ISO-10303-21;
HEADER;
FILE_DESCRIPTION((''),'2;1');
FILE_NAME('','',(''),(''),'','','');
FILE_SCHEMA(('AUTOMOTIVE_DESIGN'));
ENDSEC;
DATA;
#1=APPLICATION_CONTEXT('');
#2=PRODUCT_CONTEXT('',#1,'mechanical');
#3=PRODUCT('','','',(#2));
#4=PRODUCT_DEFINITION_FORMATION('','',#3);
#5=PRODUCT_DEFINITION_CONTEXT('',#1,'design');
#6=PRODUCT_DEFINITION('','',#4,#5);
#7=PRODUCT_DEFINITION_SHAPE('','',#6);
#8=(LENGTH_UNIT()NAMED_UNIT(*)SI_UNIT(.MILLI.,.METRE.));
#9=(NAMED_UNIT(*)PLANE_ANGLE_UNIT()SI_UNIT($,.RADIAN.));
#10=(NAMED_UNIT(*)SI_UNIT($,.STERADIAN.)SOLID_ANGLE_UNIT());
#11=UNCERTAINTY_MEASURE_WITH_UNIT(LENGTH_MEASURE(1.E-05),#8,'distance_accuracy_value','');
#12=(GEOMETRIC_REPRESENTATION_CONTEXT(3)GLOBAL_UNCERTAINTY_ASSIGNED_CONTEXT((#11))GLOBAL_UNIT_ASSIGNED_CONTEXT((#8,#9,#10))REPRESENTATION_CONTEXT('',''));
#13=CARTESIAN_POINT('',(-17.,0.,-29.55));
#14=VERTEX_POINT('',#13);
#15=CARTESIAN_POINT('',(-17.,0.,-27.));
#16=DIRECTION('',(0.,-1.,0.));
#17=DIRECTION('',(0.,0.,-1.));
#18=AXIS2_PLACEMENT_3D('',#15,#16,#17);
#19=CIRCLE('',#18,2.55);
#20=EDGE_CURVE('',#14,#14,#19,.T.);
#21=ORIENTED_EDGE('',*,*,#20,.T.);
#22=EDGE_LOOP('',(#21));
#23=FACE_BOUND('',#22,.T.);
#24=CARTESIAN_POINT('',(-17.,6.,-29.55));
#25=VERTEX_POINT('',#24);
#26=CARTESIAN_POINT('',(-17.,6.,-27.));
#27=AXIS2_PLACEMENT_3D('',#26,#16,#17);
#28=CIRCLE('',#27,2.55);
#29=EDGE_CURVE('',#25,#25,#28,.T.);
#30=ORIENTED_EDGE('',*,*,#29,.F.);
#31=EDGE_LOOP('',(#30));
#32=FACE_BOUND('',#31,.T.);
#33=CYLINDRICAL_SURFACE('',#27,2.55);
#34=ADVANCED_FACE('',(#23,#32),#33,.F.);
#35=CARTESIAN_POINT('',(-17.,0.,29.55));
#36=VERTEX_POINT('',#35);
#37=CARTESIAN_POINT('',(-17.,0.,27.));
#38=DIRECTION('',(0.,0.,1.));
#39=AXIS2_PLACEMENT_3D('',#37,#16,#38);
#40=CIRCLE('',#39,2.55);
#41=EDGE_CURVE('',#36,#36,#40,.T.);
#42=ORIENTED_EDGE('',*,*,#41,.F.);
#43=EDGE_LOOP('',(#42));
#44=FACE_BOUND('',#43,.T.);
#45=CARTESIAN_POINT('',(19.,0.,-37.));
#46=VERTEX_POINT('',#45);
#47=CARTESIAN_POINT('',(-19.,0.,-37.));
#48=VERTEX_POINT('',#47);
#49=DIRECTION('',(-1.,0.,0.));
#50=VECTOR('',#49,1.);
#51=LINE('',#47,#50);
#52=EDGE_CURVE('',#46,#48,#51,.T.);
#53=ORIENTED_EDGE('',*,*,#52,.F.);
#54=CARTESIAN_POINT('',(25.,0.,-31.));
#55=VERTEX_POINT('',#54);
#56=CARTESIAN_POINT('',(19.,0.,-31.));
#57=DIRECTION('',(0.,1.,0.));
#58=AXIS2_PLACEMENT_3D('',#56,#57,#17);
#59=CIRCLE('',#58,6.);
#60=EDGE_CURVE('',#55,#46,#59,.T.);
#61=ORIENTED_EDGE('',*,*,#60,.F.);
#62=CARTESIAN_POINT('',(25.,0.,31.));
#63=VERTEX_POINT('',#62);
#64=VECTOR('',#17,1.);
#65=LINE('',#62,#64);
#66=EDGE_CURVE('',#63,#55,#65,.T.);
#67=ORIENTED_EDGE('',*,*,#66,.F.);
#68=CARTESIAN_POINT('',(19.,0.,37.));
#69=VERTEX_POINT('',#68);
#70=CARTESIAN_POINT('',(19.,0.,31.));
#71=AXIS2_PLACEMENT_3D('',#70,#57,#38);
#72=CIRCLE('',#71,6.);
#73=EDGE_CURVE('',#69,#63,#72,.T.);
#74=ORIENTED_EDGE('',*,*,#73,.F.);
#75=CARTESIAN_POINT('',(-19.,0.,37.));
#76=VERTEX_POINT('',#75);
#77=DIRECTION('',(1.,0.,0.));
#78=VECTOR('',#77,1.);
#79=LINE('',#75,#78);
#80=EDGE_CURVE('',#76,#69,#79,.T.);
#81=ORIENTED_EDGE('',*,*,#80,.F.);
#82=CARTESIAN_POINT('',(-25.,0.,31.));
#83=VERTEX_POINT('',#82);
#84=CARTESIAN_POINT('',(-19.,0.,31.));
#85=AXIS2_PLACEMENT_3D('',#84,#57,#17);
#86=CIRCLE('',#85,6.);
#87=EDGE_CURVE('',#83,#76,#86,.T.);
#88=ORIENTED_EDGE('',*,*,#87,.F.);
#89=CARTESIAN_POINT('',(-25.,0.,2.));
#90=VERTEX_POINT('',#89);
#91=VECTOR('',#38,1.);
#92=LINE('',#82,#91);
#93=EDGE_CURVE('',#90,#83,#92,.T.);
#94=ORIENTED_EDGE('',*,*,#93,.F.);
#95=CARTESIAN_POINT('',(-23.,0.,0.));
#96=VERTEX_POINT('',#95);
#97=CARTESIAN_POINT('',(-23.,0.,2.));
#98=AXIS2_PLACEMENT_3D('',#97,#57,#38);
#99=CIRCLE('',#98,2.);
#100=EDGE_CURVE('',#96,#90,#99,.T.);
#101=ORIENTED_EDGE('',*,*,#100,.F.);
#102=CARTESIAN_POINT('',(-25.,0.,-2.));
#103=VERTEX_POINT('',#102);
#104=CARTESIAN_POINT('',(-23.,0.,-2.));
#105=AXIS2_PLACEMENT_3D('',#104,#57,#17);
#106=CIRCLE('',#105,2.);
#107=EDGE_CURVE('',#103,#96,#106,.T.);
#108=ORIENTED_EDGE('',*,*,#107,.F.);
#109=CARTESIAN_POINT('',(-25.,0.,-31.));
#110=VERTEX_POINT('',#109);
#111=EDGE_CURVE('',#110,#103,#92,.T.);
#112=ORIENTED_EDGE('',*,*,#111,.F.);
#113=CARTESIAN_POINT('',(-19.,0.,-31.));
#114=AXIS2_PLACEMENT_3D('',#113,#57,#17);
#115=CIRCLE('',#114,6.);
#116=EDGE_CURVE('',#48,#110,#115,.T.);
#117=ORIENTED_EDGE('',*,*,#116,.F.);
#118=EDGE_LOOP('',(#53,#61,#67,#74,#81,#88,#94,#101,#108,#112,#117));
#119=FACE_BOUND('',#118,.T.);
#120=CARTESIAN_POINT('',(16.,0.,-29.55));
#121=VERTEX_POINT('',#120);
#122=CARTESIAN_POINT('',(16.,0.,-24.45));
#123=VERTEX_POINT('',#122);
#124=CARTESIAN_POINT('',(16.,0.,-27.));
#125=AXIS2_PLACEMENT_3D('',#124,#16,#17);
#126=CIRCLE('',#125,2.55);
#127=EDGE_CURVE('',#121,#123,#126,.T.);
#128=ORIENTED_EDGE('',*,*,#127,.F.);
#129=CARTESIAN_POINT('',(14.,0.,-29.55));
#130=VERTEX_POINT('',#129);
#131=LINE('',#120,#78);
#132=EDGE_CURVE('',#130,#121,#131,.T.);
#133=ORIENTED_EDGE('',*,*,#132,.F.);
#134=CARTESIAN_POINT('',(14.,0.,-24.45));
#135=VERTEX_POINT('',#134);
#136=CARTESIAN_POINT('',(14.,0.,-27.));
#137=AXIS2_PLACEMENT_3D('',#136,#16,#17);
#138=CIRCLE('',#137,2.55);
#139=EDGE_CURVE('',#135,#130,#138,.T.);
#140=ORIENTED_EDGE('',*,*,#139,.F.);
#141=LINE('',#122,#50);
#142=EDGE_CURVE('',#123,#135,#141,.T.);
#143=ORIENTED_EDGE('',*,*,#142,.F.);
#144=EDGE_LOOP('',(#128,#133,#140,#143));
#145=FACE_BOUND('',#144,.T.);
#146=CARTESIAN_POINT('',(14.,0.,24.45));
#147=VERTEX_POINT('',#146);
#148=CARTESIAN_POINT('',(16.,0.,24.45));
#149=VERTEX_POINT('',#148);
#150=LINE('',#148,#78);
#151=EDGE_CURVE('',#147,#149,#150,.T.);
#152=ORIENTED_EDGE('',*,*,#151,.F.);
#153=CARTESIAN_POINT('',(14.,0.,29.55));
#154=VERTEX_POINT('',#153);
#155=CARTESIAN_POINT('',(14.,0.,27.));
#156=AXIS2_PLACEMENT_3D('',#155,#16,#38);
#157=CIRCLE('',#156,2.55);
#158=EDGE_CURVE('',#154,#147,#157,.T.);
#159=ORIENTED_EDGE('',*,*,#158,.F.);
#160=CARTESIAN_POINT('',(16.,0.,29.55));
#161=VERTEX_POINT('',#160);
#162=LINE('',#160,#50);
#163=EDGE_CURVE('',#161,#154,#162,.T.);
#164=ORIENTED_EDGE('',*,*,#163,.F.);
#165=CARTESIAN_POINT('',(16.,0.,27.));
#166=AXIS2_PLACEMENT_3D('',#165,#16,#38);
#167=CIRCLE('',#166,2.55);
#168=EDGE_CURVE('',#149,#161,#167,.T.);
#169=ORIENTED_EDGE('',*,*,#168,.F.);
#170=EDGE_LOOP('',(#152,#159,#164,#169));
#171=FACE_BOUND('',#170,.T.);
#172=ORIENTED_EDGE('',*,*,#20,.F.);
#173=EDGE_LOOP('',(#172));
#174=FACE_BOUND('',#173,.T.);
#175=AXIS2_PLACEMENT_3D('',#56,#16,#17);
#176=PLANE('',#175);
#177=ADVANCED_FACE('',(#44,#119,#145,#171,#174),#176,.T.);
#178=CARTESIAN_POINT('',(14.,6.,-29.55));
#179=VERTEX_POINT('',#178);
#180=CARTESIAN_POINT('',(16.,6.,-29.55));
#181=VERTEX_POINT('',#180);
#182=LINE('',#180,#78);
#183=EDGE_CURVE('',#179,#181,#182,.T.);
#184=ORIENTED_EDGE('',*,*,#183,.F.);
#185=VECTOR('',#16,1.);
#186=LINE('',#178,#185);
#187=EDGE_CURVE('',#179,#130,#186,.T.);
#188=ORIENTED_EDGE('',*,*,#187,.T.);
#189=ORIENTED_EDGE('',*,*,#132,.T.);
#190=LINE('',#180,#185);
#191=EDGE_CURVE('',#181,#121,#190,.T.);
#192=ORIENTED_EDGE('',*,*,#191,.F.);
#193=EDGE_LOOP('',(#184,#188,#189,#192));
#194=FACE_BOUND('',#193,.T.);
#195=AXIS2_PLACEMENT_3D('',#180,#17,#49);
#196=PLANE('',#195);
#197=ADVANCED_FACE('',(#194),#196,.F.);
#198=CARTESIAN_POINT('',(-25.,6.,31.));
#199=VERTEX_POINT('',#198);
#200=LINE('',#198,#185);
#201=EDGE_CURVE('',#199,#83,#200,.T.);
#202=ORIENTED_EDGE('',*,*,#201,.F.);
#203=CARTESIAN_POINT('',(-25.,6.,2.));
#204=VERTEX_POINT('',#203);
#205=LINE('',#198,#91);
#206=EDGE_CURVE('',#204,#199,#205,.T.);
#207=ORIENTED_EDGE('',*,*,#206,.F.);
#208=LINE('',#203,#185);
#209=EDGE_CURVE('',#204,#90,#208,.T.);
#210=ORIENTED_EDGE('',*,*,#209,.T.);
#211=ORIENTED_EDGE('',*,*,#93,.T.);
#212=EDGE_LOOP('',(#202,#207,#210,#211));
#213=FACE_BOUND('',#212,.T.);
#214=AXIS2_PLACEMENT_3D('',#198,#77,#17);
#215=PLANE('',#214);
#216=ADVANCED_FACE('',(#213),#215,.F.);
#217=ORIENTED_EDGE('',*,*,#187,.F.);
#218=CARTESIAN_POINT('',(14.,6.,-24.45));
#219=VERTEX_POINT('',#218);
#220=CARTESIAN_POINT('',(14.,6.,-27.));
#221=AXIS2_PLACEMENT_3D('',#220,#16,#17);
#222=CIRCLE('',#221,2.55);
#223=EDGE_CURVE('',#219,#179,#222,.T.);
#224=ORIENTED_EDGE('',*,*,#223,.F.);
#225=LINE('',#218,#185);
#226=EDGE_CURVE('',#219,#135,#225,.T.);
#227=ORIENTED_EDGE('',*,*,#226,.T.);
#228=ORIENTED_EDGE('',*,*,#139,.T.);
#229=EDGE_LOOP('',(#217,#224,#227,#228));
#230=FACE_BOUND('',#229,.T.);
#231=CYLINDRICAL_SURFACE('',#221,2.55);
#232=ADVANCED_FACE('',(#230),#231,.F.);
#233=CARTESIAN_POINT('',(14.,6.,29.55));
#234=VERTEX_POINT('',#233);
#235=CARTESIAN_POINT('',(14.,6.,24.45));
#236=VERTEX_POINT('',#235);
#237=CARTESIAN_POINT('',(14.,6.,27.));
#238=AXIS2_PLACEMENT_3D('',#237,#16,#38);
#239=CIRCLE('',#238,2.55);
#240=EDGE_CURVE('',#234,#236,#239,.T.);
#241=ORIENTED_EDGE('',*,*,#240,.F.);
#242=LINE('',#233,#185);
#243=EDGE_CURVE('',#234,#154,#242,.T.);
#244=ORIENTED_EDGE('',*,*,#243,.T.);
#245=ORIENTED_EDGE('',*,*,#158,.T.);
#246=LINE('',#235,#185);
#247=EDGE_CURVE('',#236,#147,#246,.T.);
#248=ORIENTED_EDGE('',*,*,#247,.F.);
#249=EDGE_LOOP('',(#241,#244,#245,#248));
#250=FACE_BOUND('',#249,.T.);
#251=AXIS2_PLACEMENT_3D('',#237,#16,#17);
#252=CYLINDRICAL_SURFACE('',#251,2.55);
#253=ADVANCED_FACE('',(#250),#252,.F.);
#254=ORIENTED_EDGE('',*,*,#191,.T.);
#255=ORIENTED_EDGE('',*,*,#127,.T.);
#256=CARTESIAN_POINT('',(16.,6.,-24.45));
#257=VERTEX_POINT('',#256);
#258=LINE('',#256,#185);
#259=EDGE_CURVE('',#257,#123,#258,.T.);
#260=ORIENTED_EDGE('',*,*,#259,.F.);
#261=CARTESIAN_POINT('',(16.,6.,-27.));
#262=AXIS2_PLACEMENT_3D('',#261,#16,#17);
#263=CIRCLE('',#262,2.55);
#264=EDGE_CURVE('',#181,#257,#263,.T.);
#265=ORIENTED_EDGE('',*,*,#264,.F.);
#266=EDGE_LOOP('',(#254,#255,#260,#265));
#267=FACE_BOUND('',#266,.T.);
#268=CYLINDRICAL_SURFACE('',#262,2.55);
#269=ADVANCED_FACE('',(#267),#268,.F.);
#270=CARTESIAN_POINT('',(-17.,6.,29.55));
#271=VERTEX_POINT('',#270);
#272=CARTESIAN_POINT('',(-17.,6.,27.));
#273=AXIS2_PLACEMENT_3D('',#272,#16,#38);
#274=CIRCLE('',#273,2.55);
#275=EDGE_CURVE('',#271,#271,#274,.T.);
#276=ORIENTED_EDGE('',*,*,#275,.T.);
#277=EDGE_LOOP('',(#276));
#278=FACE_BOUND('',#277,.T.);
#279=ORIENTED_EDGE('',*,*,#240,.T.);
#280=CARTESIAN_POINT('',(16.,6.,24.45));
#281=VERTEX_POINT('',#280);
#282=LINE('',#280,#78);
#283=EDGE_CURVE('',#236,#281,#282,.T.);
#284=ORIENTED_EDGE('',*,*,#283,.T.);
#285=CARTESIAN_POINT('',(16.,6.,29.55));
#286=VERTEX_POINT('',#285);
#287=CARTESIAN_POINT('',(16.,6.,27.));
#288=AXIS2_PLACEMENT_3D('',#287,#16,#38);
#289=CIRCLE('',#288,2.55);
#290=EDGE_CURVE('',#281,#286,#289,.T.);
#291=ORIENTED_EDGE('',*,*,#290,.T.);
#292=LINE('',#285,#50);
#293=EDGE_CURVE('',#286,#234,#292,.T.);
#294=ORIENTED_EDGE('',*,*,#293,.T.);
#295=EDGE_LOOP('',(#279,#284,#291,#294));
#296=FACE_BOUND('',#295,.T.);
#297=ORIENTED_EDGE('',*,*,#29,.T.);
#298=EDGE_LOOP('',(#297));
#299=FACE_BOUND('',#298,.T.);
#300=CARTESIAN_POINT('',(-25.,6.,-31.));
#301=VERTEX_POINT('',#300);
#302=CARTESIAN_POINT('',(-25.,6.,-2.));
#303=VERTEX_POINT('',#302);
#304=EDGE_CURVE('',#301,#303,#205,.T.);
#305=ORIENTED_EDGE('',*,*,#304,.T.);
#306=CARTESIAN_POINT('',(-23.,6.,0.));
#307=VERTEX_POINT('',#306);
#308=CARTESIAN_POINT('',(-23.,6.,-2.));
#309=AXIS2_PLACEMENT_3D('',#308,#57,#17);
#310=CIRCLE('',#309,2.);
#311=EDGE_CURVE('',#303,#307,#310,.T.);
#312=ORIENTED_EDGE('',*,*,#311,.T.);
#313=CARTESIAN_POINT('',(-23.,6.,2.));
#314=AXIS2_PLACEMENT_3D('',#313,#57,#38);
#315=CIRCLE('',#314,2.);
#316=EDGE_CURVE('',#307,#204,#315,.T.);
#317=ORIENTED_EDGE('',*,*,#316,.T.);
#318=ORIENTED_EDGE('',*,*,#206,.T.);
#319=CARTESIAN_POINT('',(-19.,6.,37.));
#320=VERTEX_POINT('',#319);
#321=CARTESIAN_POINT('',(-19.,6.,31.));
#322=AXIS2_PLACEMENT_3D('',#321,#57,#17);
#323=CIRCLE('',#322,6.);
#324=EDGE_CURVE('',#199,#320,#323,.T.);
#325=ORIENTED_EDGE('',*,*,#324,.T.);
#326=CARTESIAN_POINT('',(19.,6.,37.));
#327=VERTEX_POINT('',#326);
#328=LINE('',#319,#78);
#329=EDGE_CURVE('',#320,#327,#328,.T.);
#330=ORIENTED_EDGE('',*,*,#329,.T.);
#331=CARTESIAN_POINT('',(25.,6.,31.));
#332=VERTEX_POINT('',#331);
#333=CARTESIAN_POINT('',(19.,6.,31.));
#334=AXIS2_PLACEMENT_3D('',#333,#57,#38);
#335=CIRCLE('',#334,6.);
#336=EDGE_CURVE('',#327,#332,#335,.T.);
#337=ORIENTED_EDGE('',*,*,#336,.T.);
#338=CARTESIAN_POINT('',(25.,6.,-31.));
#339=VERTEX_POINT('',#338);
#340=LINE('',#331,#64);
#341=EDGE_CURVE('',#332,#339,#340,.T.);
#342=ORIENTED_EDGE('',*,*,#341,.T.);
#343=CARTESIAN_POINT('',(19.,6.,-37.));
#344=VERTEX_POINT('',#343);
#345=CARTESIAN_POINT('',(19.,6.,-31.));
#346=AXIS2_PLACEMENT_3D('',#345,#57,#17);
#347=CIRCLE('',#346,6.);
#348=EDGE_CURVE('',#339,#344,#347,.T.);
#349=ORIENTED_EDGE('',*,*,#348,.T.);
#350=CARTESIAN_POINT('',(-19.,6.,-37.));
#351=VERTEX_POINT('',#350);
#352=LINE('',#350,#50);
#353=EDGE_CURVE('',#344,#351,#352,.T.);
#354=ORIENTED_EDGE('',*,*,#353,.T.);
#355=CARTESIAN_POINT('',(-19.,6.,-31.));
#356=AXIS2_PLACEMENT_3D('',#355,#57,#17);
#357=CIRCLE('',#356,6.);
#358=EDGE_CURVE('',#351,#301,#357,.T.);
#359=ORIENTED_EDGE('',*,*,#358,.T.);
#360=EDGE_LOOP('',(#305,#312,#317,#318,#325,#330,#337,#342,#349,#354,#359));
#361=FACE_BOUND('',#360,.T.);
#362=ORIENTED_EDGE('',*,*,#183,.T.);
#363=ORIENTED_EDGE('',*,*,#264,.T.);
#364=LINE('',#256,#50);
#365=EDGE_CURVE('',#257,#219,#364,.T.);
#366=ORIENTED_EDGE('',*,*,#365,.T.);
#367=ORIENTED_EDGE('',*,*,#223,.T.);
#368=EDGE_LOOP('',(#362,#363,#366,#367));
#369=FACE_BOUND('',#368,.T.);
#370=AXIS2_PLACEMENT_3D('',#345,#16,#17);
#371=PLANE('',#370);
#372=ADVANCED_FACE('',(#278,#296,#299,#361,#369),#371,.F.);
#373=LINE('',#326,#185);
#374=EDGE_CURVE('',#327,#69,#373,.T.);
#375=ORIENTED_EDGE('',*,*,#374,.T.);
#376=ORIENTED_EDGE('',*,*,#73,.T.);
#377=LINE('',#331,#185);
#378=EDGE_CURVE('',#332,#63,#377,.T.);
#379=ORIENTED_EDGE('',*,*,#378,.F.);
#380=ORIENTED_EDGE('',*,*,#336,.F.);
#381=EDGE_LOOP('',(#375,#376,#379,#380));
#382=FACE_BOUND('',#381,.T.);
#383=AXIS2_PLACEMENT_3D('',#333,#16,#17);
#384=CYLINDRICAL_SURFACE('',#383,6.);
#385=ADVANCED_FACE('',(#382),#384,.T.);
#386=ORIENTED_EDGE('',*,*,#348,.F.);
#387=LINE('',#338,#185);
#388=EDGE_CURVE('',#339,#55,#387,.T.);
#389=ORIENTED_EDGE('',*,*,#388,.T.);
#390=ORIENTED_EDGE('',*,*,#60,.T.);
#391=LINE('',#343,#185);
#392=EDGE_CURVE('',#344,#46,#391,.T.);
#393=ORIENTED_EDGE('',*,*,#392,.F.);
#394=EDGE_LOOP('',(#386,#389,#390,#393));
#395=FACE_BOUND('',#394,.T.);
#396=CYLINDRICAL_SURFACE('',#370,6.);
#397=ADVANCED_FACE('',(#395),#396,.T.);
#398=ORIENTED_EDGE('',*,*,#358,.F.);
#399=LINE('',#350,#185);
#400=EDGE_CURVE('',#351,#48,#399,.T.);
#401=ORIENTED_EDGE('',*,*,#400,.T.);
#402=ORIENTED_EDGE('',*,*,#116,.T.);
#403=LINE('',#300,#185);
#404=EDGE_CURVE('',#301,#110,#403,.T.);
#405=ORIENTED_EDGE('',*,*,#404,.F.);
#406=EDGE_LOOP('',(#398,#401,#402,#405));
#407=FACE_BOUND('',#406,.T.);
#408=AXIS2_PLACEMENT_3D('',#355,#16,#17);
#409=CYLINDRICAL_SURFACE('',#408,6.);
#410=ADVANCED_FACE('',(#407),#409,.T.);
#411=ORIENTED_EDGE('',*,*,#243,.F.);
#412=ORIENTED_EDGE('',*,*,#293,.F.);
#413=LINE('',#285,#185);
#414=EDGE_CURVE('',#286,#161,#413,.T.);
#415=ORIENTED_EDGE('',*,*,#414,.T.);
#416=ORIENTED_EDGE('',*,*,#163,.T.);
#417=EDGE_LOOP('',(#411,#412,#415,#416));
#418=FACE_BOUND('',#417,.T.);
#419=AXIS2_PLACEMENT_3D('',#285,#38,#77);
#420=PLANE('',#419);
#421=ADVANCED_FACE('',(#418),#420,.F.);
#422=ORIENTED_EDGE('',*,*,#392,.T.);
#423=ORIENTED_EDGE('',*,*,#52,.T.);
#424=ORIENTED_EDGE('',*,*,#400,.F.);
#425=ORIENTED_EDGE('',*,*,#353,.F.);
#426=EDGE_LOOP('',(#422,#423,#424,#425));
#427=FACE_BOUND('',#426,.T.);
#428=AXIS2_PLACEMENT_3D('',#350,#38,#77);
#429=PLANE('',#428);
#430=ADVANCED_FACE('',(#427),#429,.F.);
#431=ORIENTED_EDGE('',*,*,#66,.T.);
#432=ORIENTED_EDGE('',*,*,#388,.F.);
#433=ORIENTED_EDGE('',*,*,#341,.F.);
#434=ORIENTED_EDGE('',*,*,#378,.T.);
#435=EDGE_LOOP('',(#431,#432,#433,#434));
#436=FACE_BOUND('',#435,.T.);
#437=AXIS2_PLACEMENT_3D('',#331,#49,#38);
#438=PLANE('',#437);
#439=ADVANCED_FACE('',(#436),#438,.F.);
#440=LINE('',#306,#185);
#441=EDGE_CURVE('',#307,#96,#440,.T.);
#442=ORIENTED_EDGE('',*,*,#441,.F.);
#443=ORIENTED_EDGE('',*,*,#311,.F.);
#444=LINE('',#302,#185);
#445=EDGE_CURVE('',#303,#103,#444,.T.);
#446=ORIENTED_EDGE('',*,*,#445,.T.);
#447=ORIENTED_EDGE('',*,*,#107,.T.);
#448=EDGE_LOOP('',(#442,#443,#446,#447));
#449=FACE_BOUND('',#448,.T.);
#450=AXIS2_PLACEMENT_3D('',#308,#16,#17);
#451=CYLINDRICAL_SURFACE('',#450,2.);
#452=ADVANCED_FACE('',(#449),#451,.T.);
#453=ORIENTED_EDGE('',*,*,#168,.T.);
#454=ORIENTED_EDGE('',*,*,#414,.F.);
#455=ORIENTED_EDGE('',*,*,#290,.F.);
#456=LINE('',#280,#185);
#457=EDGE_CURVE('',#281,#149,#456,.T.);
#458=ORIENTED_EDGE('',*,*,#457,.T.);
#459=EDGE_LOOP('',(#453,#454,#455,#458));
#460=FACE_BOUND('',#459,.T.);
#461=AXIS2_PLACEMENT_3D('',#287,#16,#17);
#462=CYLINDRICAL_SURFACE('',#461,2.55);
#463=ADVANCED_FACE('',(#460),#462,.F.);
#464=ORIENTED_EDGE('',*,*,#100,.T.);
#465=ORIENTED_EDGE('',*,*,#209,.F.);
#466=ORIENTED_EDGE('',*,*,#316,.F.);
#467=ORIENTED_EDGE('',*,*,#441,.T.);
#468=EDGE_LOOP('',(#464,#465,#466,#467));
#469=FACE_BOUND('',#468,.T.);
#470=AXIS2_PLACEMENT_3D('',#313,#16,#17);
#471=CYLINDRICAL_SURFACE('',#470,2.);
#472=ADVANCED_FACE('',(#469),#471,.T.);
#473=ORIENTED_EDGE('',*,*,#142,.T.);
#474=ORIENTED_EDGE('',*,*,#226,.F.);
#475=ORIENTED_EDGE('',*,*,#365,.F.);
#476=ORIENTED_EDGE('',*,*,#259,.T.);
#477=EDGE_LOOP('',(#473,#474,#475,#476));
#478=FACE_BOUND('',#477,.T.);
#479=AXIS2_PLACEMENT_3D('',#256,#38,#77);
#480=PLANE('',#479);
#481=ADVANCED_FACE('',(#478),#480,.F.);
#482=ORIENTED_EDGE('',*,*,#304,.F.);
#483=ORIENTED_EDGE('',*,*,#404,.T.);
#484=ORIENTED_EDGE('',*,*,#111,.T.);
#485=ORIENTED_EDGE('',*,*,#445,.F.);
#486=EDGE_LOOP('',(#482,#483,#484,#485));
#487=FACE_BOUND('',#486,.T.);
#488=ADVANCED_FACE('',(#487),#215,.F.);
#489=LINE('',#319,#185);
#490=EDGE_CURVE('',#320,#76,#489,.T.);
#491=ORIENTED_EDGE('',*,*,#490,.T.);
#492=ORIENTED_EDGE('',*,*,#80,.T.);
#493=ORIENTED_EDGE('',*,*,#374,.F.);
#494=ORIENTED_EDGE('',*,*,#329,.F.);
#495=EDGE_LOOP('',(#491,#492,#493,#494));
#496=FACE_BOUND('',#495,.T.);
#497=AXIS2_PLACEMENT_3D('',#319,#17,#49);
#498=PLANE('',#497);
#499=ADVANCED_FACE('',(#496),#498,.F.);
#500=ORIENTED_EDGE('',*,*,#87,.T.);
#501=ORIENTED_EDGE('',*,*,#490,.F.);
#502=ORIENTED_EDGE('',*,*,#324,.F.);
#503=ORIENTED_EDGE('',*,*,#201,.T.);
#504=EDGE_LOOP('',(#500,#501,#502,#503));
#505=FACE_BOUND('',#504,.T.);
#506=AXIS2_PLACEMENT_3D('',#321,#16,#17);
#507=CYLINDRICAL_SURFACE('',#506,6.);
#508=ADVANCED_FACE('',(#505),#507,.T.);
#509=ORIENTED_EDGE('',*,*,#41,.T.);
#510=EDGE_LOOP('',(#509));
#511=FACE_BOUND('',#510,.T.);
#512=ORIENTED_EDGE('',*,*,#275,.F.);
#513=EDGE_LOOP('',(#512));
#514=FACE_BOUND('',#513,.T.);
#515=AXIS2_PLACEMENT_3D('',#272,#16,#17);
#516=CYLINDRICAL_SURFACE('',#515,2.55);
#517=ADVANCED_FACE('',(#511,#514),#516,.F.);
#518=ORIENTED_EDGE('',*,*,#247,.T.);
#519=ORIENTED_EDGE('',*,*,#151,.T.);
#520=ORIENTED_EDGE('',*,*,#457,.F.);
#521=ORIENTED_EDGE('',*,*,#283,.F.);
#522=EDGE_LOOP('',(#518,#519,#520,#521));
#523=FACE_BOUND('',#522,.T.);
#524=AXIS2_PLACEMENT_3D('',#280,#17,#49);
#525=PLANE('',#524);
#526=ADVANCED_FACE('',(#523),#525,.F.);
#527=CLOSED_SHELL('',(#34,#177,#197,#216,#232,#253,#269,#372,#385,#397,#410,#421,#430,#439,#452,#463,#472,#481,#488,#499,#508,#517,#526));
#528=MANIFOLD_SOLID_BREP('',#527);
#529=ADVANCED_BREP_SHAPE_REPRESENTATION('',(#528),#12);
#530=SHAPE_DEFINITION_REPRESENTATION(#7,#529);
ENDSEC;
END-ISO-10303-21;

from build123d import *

# Parameters (mm, degrees)
EXTRUDE_1_DEPTH     = 6
SKETCH_2_R          = 2.55
CUT_EXTRUDE_1_DEPTH = 46.055521304
CUT_EXTRUDE_2_DEPTH = 46.055521304


with BuildPart() as part:
    # Эскиз1 → Бобышка-Вытянуть1 (new body)
    with BuildSketch(Plane(origin=(0, 0, 0), x_dir=(1, 0, 0), z_dir=(0, 1, 0))):
        with BuildLine():
            Line((-19, -37), (19, -37))
            ThreePointArc((19, -37), (23.242640687, -35.242640687), (25, -31))
            Line((25, -31), (25, 31))
            ThreePointArc((25, 31), (23.242640687, 35.242640687), (19, 37))
            Line((19, 37), (-19, 37))
            ThreePointArc((-19, 37), (-23.242640687, 35.242640687), (-25, 31))
            Line((-25, 31), (-25, -31))
            ThreePointArc((-25, -31), (-23.242640687, -35.242640687), (-19, -37))
        make_face()
    extrude(amount=EXTRUDE_1_DEPTH)

    # Эскиз2 → Вырез-Вытянуть1 (cut, through all)
    with BuildSketch(Plane.XZ):
        with Locations(Location((-17, -27, 0), (0, 0, 270))):
            Circle(SKETCH_2_R)
        with Locations(Location((-17, 27, 0), (0, 0, 90))):
            Circle(SKETCH_2_R)
        with BuildLine():
            Line((16, -29.55), (14, -29.55))
            ThreePointArc((14, -29.55), (11.45, -27), (14, -24.45))
            Line((14, -24.45), (16, -24.45))
            ThreePointArc((16, -24.45), (18.55, -27), (16, -29.55))
        make_face()
        with BuildLine():
            Line((16, 29.55), (14, 29.55))
            ThreePointArc((14, 29.55), (11.45, 27), (14, 24.45))
            Line((14, 24.45), (16, 24.45))
            ThreePointArc((16, 24.45), (18.55, 27), (16, 29.55))
        make_face()
    extrude(amount=-CUT_EXTRUDE_1_DEPTH, mode=Mode.SUBTRACT)

    # Эскиз3 → Вырез-Вытянуть2 (cut, through all)
    with BuildSketch(Plane.XZ):
        with BuildLine():
            Line((-25, -2), (-25, 2))
            ThreePointArc((-25, 2), (-24.414213562, 0.585786438), (-23, 0))
            ThreePointArc((-23, 0), (-24.414213562, -0.585786438), (-25, -2))
        make_face()
    extrude(amount=-CUT_EXTRUDE_2_DEPTH, mode=Mode.SUBTRACT)


solid = part.part
